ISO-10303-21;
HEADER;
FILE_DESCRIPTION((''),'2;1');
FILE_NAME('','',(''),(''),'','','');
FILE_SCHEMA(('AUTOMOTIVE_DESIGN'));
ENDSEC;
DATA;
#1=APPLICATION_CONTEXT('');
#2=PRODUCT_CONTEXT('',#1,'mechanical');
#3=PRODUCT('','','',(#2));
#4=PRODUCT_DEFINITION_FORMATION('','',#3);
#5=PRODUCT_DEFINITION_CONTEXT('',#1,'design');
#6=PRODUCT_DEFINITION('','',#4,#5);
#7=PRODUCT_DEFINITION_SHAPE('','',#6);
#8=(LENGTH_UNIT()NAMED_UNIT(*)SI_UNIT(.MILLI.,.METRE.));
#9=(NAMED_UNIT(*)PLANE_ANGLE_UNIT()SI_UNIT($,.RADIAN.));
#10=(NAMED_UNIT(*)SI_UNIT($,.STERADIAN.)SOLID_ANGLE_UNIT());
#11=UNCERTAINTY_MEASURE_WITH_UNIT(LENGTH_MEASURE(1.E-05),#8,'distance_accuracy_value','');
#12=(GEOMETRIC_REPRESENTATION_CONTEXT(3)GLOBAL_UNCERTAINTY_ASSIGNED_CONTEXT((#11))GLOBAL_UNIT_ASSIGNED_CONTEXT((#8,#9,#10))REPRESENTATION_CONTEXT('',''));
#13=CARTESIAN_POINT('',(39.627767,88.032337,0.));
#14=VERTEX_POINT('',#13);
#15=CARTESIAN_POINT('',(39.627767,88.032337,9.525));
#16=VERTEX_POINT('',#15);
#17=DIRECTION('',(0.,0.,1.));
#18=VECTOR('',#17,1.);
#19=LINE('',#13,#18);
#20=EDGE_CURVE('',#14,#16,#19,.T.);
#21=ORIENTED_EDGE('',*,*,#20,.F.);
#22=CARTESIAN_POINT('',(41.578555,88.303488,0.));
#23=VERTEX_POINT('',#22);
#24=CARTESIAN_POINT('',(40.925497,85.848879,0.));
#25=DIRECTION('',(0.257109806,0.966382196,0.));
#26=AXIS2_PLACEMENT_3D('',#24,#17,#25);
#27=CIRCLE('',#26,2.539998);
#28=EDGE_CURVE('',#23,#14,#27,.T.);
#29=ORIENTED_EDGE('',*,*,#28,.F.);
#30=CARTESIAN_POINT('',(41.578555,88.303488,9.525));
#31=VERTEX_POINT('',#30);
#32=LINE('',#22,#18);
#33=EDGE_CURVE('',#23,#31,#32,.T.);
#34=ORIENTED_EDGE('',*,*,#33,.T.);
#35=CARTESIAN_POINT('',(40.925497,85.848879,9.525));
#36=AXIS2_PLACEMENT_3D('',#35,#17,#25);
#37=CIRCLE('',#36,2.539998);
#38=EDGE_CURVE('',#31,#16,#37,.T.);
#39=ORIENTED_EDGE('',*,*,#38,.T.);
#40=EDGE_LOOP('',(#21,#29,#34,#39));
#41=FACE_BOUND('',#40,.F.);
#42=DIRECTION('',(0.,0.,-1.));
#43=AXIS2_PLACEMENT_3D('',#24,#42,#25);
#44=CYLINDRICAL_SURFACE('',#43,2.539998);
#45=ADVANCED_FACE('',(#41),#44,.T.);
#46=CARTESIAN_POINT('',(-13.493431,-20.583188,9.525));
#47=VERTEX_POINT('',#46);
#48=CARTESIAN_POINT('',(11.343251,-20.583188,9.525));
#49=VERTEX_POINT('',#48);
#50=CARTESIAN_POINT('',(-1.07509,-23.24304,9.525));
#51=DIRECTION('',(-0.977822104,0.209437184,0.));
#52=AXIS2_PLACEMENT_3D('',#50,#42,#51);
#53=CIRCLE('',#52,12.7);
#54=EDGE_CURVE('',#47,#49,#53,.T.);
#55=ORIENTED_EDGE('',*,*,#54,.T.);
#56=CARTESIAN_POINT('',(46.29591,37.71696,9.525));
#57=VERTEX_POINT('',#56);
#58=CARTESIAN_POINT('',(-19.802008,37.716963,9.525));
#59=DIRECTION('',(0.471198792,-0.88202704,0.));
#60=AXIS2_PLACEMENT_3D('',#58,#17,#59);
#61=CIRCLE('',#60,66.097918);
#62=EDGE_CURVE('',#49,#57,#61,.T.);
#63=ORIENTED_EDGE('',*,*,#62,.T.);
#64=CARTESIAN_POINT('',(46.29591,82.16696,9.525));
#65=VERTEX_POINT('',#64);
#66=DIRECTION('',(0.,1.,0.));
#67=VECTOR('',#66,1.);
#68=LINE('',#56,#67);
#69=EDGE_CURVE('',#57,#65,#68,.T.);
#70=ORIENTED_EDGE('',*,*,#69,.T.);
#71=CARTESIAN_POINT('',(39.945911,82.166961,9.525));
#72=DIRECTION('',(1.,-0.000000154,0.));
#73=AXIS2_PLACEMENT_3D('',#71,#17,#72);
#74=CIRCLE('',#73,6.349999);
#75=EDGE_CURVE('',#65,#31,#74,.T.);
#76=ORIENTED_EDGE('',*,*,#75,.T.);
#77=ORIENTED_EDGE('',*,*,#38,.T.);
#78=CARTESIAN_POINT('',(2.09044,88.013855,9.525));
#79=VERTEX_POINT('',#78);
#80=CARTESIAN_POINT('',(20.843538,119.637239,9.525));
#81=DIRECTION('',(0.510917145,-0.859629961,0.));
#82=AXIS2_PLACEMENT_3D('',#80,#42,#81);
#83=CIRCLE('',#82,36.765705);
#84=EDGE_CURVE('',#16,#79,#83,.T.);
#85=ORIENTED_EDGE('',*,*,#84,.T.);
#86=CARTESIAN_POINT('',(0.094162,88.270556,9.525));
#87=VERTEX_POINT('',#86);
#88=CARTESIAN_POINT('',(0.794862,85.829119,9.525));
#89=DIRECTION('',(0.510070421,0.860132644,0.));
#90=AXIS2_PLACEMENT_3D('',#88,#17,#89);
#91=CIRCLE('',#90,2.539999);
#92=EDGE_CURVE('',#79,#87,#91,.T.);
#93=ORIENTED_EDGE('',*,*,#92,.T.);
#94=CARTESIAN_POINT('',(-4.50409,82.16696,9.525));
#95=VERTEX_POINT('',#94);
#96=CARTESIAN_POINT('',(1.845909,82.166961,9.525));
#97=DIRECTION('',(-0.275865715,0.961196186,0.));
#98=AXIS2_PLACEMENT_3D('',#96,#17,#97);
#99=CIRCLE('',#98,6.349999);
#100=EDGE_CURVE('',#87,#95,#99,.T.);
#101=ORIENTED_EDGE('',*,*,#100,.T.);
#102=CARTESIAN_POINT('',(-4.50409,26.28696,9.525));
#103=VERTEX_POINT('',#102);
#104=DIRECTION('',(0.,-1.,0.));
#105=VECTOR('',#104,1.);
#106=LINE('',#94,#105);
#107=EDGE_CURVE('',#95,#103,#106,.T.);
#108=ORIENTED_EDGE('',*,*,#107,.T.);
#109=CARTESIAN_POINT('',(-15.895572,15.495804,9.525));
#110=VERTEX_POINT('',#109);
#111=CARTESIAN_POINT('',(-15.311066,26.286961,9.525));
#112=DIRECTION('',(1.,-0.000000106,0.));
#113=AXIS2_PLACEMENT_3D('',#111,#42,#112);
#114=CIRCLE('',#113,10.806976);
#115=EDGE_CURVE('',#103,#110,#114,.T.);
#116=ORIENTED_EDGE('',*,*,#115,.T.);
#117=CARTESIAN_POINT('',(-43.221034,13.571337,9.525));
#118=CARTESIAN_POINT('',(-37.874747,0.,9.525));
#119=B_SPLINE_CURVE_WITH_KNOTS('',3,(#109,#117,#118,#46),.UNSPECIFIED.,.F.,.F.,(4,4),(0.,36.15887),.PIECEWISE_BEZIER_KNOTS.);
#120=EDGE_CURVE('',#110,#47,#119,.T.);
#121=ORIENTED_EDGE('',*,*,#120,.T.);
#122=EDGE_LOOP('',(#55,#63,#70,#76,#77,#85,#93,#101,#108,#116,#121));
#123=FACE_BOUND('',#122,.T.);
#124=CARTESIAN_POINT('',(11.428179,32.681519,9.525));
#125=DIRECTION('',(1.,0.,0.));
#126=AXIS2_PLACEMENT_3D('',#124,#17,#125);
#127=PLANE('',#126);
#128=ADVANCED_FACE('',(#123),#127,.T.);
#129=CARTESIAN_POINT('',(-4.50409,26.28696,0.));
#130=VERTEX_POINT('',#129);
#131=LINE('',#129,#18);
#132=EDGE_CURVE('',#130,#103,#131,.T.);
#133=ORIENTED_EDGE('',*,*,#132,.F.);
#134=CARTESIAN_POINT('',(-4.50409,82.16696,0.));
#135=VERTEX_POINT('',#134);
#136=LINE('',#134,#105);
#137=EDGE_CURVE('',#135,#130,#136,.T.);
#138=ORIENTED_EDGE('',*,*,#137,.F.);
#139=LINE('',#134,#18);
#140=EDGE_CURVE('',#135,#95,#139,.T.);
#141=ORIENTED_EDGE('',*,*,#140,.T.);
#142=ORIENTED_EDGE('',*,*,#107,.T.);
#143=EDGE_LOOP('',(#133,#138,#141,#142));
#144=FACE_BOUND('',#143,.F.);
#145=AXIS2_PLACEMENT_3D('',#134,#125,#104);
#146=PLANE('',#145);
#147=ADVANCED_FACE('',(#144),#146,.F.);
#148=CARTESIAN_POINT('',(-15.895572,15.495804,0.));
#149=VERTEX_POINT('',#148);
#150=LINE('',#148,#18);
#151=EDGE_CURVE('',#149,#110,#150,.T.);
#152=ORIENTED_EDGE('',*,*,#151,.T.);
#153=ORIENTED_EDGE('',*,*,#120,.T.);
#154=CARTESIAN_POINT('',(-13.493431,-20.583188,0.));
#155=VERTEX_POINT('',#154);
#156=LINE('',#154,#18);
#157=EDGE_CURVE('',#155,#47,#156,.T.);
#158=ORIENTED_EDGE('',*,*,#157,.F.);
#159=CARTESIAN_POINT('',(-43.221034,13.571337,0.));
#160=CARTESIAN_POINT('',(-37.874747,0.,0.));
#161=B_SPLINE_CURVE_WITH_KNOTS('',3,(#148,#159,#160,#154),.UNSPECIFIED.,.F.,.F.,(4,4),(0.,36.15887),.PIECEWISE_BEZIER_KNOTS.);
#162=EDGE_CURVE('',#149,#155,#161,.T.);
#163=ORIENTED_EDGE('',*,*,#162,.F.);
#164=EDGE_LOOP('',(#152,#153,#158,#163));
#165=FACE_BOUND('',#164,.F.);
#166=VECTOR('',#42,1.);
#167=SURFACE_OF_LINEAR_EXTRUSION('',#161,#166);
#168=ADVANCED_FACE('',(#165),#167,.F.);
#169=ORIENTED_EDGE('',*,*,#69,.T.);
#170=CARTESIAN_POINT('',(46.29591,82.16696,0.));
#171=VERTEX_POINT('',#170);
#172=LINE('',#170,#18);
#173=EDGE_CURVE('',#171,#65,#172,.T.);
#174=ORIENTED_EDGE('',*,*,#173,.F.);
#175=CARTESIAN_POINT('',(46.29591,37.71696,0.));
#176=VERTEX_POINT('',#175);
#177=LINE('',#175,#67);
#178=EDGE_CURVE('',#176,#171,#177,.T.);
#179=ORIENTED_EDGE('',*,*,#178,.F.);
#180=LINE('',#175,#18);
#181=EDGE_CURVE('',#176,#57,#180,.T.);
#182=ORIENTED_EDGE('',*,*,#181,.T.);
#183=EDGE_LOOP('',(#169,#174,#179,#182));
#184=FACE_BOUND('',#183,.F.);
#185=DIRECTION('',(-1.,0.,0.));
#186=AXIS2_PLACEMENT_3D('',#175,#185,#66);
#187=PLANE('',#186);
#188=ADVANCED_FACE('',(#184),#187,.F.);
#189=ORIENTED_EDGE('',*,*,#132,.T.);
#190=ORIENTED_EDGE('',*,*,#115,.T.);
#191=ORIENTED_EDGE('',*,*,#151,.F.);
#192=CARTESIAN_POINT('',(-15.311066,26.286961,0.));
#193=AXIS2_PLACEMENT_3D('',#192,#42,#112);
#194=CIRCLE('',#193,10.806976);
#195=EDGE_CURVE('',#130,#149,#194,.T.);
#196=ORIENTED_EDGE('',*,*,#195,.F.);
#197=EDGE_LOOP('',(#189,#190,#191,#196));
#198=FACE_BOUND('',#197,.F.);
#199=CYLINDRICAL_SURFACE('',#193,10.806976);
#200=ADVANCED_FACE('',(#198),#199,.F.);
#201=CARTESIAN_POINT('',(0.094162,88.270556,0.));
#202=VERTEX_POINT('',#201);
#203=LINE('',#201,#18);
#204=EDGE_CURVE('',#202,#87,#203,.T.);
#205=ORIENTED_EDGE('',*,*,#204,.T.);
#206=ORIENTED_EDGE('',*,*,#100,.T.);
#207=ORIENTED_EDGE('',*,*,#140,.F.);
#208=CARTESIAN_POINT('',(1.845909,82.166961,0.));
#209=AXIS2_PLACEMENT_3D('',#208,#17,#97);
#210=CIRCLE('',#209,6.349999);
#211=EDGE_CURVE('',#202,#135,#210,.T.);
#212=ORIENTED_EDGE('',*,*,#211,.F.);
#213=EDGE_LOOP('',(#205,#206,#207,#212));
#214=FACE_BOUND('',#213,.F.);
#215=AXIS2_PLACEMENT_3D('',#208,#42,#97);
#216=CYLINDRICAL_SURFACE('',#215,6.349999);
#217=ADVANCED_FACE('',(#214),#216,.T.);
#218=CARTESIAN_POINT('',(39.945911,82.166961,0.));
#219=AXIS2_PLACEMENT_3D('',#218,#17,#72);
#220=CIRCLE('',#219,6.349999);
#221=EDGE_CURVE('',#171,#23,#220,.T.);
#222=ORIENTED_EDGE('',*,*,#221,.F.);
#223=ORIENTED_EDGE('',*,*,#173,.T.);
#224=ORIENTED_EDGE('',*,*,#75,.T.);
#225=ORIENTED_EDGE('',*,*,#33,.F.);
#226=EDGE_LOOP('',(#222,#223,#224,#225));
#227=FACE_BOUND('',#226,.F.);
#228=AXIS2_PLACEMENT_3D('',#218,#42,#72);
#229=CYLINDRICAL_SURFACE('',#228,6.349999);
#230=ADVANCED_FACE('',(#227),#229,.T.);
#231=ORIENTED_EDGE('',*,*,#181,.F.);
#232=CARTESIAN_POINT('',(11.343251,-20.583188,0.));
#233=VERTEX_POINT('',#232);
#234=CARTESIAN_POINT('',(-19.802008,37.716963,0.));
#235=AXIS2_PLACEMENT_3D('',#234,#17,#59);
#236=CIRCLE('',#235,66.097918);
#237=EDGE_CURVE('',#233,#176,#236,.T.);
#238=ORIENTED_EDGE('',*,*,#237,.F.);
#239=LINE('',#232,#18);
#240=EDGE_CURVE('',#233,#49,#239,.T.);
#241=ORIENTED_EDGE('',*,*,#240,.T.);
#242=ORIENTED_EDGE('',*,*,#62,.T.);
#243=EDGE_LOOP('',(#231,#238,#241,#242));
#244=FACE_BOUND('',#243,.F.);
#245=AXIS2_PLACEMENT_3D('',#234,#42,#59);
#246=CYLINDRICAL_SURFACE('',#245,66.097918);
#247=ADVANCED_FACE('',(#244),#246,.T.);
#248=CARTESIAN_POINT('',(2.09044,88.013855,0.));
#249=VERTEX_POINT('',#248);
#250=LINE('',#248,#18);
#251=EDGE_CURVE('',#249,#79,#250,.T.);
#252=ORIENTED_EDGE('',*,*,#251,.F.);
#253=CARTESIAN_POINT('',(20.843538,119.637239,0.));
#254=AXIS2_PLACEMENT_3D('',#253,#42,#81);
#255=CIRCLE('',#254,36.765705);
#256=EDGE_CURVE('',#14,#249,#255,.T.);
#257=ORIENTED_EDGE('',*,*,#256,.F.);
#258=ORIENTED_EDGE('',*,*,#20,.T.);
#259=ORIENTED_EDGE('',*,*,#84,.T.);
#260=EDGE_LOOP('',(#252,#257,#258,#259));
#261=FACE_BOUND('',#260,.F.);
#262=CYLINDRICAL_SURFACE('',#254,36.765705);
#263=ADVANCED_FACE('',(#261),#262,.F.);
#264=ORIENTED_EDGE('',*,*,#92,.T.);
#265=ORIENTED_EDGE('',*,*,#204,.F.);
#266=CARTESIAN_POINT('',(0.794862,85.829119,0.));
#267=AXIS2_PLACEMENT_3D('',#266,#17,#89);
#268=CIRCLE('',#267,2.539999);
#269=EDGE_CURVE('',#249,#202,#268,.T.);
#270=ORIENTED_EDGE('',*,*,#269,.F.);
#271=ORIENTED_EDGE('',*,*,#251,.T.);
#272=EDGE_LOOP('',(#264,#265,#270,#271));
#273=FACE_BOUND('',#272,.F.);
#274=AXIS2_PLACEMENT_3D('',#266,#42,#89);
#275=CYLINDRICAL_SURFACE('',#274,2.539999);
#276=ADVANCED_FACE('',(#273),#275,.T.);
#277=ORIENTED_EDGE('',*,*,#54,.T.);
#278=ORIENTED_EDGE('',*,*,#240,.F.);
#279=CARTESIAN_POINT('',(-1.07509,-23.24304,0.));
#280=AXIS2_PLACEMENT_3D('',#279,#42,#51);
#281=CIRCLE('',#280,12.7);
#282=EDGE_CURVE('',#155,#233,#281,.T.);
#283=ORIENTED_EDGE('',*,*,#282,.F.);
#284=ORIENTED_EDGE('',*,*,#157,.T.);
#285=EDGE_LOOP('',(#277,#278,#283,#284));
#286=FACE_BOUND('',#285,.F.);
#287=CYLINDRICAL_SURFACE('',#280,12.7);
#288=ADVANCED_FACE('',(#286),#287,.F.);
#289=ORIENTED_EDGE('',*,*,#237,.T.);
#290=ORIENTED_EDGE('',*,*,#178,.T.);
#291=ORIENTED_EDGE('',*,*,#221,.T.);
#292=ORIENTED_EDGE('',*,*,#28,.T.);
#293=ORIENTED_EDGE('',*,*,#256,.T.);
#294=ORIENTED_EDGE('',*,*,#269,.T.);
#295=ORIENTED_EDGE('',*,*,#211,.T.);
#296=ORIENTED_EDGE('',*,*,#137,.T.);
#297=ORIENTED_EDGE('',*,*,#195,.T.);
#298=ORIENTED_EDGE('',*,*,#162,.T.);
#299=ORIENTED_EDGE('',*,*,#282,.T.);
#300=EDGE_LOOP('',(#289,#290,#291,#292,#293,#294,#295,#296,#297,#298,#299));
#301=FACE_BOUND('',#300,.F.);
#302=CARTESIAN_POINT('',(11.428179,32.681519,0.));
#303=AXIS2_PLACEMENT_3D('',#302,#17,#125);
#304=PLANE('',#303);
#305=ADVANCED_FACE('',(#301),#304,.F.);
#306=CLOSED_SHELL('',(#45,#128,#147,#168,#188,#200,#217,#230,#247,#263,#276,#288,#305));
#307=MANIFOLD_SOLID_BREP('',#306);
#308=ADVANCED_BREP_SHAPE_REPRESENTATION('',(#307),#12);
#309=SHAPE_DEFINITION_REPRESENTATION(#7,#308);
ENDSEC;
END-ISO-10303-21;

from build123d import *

# Parameters (mm, degrees)
F1_DEPTH = 9.525


with BuildPart() as f1:
    # F0 (on Top) → F1 (new body)
    with BuildSketch(Plane.XY):
        with BuildLine():
            Line((-4.50409, 82.16696), (-4.50409, 26.28696))
            ThreePointArc((-4.50409, 26.28696), (-7.878907, 18.441342), (-15.895572, 15.495804))
            add(Edge.make_bspline(
                [(-15.895572, 15.495804), (-43.221034, 13.571337), (-37.874747, 0), (-13.493431, -20.583188)],
                knots=[0, 0, 0, 0, 36.15887, 36.15887, 36.15887, 36.15887], degree=3))
            ThreePointArc((-13.493431, -20.583188), (-1.07509, -10.54304), (11.343251, -20.583188))
            ThreePointArc((11.343251, -20.583188), (36.888253, 3.729479), (46.29591, 37.71696))
            Line((46.29591, 37.71696), (46.29591, 54.61071))
            Line((46.29591, 54.61071), (46.29591, 82.16696))
            ThreePointArc((46.29591, 82.16696), (44.980282, 86.037051), (41.578555, 88.303488))
            ThreePointArc((41.578555, 88.303488), (40.57581, 88.364691), (39.627767, 88.032337))
            ThreePointArc((39.627767, 88.032337), (20.86164, 82.871538), (2.09044, 88.013855))
            ThreePointArc((2.09044, 88.013855), (1.118812, 88.348375), (0.094162, 88.270556))
            ThreePointArc((0.094162, 88.270556), (-3.22588, 85.987883), (-4.50409, 82.16696))
        make_face()
    extrude(amount=F1_DEPTH)


solid = f1.part
